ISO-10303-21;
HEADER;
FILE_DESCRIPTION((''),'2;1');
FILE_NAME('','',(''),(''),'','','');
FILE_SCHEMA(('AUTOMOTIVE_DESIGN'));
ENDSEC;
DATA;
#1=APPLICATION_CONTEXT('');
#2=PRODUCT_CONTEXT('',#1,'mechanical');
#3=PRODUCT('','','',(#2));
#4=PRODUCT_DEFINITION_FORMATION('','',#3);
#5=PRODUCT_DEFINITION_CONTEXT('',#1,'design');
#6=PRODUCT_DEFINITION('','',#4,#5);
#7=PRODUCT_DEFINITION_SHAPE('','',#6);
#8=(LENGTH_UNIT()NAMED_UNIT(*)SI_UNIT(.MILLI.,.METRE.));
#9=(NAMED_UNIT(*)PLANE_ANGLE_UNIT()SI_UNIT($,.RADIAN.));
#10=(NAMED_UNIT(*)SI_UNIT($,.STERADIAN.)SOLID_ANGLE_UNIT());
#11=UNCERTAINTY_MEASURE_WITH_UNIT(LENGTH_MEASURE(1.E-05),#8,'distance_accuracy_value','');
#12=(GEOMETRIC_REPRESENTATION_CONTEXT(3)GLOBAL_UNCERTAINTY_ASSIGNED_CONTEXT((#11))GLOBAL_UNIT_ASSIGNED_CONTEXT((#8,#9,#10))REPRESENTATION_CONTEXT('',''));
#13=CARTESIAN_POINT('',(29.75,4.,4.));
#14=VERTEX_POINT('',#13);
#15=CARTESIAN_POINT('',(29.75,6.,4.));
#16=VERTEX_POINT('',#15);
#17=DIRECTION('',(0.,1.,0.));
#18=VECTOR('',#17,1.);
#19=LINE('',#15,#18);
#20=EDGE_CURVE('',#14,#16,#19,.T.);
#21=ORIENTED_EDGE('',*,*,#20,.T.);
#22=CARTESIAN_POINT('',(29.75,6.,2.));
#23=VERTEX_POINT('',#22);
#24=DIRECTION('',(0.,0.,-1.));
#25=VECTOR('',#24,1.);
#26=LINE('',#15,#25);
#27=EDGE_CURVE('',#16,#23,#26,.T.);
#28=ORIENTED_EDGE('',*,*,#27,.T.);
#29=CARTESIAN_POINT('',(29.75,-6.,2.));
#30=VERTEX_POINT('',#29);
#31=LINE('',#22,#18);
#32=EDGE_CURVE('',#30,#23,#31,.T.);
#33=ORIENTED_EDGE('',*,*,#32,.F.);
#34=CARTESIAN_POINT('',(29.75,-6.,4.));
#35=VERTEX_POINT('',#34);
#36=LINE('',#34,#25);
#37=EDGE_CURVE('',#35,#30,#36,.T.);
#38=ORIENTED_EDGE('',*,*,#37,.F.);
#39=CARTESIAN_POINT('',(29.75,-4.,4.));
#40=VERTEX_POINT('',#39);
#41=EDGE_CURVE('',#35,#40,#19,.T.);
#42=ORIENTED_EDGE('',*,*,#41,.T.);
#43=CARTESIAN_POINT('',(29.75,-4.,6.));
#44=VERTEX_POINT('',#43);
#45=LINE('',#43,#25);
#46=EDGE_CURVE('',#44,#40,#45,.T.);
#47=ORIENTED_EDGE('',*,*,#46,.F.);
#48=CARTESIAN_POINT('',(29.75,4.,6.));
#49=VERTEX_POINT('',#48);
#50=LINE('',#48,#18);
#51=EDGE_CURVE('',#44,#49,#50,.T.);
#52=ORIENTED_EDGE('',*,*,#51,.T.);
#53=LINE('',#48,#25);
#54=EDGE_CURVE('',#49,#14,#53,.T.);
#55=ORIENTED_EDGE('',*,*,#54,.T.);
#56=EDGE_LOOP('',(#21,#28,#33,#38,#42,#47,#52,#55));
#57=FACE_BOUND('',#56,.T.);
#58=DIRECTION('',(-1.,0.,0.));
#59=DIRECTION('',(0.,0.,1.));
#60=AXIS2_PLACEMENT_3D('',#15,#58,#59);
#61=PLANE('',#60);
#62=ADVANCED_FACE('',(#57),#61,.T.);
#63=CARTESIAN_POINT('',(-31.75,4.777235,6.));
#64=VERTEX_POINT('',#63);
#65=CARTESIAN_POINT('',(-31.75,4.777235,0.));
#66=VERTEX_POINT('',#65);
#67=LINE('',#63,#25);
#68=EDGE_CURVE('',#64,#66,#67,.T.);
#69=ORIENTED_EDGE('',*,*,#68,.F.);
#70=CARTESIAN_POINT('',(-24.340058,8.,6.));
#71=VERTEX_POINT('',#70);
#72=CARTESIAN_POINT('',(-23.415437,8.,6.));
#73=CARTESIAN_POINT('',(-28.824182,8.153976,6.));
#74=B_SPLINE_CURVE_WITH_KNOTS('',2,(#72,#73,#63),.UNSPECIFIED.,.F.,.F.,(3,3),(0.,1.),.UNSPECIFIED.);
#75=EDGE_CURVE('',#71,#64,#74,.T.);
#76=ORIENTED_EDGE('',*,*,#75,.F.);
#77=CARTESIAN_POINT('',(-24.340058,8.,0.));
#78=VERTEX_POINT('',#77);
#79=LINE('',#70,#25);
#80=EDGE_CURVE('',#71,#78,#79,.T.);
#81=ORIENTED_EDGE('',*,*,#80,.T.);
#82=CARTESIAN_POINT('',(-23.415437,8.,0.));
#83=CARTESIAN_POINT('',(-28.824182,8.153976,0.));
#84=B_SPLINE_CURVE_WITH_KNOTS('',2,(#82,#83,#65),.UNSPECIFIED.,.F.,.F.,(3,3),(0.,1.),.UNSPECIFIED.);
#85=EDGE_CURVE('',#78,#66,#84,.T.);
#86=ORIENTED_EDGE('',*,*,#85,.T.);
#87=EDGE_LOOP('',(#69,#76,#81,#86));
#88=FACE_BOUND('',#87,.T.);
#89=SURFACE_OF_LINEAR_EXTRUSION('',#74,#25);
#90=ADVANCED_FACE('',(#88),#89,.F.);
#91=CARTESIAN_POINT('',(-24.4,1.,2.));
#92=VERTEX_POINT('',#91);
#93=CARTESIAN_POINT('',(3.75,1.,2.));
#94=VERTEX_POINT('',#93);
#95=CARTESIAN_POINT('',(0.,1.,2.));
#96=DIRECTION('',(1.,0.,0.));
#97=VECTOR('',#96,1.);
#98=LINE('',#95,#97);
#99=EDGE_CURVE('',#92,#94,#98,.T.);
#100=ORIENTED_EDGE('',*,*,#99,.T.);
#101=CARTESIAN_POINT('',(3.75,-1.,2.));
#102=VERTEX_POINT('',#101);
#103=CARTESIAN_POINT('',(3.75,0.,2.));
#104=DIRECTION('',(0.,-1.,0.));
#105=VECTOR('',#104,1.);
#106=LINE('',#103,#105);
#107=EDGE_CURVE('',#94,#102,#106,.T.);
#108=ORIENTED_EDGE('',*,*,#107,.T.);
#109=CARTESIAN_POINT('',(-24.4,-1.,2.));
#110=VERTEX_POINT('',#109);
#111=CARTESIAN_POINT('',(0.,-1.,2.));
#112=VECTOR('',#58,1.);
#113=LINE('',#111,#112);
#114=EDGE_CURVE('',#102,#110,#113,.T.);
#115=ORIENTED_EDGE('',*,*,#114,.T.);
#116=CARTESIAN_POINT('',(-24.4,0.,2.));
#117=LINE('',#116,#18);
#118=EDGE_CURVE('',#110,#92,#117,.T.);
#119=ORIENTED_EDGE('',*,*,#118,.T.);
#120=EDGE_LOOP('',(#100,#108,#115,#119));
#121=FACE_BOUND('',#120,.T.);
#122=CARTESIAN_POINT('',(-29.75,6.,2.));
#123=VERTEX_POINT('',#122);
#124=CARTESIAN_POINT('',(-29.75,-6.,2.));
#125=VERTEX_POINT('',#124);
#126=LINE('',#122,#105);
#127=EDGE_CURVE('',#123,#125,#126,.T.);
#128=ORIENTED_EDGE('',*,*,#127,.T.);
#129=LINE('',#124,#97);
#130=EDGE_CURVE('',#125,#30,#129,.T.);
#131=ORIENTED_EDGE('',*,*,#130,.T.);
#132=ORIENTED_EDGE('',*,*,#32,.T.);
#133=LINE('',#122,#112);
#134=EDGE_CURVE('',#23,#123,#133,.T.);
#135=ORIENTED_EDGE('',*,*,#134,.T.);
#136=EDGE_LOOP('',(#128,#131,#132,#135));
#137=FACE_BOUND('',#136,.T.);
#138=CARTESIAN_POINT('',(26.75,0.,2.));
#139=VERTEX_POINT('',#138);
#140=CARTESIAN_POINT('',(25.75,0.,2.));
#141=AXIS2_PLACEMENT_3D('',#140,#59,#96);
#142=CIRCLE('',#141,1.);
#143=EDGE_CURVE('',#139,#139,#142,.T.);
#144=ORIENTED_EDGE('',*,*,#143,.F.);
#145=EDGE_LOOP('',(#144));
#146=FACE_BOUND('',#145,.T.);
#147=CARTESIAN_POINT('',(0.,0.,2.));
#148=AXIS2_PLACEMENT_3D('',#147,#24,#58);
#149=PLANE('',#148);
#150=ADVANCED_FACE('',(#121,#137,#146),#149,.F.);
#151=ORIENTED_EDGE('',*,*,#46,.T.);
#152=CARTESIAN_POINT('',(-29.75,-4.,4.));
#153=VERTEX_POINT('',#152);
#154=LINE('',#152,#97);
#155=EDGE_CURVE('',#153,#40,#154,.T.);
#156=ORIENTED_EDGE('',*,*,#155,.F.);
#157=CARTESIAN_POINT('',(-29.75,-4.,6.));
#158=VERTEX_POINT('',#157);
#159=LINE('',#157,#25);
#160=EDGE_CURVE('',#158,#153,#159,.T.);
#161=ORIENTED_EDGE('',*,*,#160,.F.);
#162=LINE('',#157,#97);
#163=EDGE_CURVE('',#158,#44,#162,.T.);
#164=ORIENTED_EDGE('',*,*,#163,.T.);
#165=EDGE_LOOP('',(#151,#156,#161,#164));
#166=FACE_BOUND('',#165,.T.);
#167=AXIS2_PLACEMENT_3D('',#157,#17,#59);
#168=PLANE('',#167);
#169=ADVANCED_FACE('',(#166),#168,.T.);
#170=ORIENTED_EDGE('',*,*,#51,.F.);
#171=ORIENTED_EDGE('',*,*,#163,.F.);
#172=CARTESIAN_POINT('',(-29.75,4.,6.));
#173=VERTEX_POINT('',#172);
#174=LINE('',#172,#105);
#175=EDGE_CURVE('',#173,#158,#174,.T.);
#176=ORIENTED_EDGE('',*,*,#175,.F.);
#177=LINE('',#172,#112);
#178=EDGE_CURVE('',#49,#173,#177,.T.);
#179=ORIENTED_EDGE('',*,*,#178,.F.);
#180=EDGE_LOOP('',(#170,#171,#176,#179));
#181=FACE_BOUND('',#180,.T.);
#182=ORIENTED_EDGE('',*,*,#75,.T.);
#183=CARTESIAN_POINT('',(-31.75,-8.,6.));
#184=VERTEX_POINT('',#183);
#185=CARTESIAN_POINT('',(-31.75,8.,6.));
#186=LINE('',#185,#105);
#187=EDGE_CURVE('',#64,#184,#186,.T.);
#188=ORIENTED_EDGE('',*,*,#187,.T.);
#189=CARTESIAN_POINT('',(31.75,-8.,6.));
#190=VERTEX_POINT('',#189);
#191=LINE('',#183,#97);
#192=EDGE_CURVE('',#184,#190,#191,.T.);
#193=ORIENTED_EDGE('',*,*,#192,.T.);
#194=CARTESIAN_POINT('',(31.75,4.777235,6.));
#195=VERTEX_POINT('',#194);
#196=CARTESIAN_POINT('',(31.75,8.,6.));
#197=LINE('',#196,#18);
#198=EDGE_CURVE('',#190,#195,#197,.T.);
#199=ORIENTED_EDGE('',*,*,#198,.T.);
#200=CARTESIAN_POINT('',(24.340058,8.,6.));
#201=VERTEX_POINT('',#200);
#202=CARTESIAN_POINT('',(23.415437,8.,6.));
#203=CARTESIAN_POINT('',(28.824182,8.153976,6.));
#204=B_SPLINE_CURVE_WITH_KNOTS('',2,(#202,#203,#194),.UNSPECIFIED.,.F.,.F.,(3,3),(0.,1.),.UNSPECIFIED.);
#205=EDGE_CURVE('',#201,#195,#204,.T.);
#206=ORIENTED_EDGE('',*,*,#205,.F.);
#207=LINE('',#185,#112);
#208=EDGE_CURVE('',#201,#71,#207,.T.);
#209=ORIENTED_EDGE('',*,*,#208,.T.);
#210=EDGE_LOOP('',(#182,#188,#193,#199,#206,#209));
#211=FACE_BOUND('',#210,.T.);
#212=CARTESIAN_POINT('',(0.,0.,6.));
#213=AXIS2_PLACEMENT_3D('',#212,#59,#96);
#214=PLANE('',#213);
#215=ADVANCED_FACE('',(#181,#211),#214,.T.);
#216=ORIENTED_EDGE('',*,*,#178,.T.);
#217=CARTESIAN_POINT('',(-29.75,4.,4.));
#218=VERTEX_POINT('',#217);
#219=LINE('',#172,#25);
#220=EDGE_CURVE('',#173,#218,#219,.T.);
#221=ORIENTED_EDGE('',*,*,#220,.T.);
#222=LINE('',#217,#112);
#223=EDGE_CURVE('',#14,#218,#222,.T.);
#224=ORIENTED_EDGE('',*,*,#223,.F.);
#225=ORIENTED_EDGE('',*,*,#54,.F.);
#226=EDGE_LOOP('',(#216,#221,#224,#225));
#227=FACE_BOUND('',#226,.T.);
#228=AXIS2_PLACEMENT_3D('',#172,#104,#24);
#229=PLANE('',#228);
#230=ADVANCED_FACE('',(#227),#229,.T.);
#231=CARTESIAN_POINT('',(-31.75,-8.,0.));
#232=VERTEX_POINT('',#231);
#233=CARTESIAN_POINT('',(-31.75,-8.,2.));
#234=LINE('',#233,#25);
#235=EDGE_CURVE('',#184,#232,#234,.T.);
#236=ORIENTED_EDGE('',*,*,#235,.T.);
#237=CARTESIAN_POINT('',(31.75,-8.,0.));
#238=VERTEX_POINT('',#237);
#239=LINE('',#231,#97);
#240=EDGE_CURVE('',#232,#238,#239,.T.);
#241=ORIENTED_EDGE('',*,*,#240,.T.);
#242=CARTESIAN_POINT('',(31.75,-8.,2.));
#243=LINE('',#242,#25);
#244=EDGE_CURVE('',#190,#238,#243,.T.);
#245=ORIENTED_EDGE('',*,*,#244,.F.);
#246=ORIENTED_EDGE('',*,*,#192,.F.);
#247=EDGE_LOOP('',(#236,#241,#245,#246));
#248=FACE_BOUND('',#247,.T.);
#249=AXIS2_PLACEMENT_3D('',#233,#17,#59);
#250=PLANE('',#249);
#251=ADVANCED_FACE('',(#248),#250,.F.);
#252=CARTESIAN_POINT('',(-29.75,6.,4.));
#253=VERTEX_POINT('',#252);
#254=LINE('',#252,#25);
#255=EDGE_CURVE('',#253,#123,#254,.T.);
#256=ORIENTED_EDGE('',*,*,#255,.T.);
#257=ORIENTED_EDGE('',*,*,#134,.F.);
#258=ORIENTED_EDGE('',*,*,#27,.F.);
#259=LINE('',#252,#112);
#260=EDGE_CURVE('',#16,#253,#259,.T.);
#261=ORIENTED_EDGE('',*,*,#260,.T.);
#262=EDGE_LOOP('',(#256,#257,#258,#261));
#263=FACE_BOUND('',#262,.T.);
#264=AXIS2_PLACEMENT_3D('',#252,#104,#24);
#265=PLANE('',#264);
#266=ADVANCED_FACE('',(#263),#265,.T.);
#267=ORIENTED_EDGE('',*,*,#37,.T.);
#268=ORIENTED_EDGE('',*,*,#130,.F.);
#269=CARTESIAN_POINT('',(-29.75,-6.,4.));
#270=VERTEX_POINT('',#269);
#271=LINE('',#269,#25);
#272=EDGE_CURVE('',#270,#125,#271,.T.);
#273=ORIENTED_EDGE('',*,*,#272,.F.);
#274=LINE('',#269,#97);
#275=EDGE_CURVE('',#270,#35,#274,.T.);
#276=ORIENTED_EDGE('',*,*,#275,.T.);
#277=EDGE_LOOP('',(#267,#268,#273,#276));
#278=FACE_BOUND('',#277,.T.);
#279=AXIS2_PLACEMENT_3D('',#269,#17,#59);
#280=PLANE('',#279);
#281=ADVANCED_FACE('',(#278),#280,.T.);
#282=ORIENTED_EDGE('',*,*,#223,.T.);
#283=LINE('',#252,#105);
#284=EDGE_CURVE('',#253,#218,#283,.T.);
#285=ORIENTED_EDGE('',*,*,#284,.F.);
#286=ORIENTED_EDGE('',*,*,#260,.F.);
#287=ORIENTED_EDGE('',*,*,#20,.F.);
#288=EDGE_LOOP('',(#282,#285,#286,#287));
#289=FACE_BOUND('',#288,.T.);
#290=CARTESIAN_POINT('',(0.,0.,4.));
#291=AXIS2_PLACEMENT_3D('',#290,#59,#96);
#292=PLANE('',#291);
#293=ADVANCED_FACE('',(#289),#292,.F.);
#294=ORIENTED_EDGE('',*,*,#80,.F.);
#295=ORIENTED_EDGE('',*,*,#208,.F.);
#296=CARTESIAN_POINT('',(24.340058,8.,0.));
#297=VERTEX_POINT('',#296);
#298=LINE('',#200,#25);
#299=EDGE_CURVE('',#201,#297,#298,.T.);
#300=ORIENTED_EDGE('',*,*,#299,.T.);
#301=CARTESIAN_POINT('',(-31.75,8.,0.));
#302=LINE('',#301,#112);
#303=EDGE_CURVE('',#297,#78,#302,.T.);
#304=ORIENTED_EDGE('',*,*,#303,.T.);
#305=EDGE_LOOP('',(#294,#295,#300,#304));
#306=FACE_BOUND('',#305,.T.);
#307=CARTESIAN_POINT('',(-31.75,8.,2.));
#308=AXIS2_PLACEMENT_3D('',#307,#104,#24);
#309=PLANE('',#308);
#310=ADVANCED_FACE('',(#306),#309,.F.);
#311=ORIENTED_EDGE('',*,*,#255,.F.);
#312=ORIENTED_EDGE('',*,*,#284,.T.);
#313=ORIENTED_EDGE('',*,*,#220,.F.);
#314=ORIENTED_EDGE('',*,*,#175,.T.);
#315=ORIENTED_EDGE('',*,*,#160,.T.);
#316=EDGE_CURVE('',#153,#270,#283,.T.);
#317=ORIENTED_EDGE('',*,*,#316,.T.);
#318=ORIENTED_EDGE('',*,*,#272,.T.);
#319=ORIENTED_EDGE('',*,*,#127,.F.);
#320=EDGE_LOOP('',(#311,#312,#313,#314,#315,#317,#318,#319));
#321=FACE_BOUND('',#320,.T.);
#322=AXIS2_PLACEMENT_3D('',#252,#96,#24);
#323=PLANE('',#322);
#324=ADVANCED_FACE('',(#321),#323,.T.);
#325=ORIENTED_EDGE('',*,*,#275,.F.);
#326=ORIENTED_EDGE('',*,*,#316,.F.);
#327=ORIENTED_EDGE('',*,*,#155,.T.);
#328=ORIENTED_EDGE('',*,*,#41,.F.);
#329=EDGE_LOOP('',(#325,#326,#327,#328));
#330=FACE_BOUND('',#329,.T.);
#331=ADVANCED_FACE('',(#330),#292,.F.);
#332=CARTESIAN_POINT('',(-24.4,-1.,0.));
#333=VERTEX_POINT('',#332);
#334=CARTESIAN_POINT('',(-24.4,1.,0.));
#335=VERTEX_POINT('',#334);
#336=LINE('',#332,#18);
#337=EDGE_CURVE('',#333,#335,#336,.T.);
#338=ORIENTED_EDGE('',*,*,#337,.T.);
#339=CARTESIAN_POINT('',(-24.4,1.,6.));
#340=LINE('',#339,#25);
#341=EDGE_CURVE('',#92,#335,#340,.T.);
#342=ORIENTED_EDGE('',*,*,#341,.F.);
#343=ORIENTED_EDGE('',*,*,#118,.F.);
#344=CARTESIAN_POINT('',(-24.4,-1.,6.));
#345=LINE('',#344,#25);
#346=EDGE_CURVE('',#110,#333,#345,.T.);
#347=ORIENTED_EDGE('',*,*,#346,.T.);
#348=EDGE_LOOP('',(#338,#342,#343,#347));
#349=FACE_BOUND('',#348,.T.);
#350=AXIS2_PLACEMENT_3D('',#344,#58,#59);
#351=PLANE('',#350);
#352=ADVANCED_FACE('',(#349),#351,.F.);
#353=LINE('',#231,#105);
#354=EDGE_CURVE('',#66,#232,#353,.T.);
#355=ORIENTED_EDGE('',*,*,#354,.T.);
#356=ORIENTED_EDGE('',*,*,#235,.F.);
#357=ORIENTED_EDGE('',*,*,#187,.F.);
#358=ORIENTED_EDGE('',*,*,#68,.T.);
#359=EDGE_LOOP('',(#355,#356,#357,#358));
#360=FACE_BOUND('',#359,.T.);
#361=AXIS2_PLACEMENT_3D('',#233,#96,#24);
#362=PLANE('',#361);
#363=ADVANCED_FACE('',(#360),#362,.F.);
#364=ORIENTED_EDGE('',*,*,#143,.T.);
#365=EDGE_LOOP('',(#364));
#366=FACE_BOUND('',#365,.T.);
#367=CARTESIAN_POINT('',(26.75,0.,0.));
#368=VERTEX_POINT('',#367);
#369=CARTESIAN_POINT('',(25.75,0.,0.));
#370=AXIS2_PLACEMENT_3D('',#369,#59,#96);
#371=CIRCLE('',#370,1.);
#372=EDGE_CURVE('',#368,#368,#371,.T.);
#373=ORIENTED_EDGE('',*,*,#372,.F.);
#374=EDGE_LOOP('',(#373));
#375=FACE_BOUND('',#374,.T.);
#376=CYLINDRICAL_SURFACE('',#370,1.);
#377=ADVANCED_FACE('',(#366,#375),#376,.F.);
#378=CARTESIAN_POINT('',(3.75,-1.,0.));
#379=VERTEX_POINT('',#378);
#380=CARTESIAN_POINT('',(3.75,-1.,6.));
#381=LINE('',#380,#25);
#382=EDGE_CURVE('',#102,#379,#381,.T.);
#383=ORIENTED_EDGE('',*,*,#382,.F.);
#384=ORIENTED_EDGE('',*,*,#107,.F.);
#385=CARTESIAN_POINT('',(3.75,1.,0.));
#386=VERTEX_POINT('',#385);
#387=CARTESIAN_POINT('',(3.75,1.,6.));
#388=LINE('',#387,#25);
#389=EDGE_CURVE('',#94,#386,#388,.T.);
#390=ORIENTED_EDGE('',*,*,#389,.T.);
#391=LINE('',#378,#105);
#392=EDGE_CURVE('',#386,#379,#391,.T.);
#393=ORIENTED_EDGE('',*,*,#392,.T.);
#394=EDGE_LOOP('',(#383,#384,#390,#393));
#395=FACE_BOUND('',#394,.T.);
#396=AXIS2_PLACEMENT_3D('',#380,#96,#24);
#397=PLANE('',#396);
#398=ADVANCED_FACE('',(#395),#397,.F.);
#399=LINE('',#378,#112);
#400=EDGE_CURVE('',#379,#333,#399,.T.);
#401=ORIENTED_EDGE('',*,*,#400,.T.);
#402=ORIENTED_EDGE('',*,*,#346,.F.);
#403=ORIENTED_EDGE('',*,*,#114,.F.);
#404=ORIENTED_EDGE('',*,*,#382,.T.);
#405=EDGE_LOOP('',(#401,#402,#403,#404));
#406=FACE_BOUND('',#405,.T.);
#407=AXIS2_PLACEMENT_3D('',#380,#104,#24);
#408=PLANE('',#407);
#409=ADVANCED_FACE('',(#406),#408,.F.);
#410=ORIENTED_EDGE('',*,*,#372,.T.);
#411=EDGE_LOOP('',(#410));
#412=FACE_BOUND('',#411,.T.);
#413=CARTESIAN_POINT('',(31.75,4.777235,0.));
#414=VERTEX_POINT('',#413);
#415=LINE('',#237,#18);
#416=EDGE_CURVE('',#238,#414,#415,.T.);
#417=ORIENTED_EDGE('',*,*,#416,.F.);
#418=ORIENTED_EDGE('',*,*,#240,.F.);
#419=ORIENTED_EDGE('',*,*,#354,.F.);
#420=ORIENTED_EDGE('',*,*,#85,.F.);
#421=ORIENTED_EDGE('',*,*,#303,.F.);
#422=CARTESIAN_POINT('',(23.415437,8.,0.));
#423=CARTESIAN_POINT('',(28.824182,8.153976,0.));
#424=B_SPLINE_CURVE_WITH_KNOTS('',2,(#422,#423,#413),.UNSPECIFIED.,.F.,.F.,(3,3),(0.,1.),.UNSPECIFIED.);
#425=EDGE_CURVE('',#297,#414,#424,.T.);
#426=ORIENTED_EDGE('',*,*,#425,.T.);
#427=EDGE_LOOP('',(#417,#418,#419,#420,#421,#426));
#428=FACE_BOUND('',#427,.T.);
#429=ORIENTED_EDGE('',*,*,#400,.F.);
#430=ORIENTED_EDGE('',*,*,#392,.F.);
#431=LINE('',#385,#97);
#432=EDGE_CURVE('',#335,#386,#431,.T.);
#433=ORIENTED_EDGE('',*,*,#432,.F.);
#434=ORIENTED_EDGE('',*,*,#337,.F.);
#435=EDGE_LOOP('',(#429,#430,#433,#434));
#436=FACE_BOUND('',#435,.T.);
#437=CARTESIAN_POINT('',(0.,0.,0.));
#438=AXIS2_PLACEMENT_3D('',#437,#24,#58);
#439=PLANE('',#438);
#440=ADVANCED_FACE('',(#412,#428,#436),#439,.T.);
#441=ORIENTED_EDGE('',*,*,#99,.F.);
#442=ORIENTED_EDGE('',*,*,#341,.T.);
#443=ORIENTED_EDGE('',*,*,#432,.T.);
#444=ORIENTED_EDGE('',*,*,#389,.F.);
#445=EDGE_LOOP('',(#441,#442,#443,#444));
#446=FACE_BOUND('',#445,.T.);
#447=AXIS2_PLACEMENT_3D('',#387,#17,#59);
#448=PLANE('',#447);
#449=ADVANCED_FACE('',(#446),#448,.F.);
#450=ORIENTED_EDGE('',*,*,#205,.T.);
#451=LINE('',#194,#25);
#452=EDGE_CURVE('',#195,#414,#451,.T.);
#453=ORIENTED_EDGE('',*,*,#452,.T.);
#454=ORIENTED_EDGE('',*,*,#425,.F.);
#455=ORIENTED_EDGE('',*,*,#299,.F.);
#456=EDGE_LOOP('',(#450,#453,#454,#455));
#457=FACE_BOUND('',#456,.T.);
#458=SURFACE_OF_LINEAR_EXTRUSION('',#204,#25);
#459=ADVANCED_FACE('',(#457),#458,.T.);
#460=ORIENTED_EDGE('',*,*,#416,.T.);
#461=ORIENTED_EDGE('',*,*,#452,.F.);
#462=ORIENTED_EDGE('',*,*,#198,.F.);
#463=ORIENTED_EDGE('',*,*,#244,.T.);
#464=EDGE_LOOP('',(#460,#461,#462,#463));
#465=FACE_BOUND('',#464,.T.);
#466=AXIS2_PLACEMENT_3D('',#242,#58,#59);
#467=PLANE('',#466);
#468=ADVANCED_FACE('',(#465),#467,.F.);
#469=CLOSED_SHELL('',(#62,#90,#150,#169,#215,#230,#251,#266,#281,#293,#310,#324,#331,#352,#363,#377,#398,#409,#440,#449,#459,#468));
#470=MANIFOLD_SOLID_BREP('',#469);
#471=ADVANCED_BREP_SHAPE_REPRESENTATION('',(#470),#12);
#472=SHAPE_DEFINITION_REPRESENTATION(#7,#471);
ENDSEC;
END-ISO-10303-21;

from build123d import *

# Parameters (mm, degrees)
SKETCH1_W           = 63.5
SKETCH1_H           = 16
BOSS_EXTRUDE1_DEPTH = 2
SKETCH2_W           = 63.5
SKETCH2_H           = 16
SKETCH2_W_2         = 59.5
SKETCH2_H_2         = 12
BOSS_EXTRUDE2_DEPTH = 2
SKETCH4_W           = 63.5
SKETCH4_H           = 16
SKETCH4_W_2         = 59.5
SKETCH4_H_2         = 8
BOSS_EXTRUDE3_DEPTH = 2
SKETCH6_R           = 1
CUT_EXTRUDE2_DEPTH  = 33.985792396
SKETCH7_W           = 28.15
SKETCH7_H           = 2
CUT_EXTRUDE3_DEPTH  = 34.287572756
CUT_EXTRUDE4_DEPTH  = 34.287572756


with BuildPart() as part:
    # Sketch1 → Boss-Extrude1 (new body)
    with BuildSketch(Plane.XY):
        Rectangle(SKETCH1_W, SKETCH1_H)
    extrude(amount=BOSS_EXTRUDE1_DEPTH)

    # Sketch2 → Boss-Extrude2 (add)
    with BuildSketch(Plane.XY.offset(2)):
        Rectangle(SKETCH2_W, SKETCH2_H)
        Rectangle(SKETCH2_W_2, SKETCH2_H_2, mode=Mode.SUBTRACT)
    extrude(amount=BOSS_EXTRUDE2_DEPTH)

    # Sketch4 → Boss-Extrude3 (add)
    with BuildSketch(Plane.XY.offset(4)):
        Rectangle(SKETCH4_W, SKETCH4_H)
        Rectangle(SKETCH4_W_2, SKETCH4_H_2, mode=Mode.SUBTRACT)
    extrude(amount=BOSS_EXTRUDE3_DEPTH)

    # Sketch6 → Cut-Extrude2 (cut, through all)
    with BuildSketch(Plane.XY.offset(2)):
        with Locations((25.75, 0)):
            Circle(SKETCH6_R)
    extrude(amount=-CUT_EXTRUDE2_DEPTH, mode=Mode.SUBTRACT)

    # Sketch7 → Cut-Extrude3 (cut, through all)
    with BuildSketch(Plane(origin=(0, 0, 0), x_dir=(-1, 0, 0), z_dir=(0, 0, -1))):
        with Locations((10.325, 0)):
            Rectangle(SKETCH7_W, SKETCH7_H)
    extrude(amount=-CUT_EXTRUDE3_DEPTH, mode=Mode.SUBTRACT)

    # Sketch8 → Cut-Extrude4 (cut, through all)
    with BuildSketch(Plane(origin=(0, 0, 0), x_dir=(-1, 0, 0), z_dir=(0, 0, -1))):
        with BuildLine():
            add(Edge.make_bspline(
                [(24.340057871, 8), (29.079374102, 7.859454073), (31.75, 4.777235297)],
                knots=[0.087220719, 0.087220719, 0.087220719, 1, 1, 1], degree=2))
            Line((31.75, 4.777235297), (31.75, 8))
            Line((31.75, 8), (24.340057871, 8))
        make_face()
    cut_extrude4 = extrude(amount=-CUT_EXTRUDE4_DEPTH, mode=Mode.SUBTRACT)

    # Mirror1: Cut-Extrude4 across plane
    add(cut_extrude4.mirror(Plane(origin=(0, 0, 0), x_dir=(0, 0, 1), z_dir=(1, 0, 0))), mode=Mode.SUBTRACT)


solid = part.part
